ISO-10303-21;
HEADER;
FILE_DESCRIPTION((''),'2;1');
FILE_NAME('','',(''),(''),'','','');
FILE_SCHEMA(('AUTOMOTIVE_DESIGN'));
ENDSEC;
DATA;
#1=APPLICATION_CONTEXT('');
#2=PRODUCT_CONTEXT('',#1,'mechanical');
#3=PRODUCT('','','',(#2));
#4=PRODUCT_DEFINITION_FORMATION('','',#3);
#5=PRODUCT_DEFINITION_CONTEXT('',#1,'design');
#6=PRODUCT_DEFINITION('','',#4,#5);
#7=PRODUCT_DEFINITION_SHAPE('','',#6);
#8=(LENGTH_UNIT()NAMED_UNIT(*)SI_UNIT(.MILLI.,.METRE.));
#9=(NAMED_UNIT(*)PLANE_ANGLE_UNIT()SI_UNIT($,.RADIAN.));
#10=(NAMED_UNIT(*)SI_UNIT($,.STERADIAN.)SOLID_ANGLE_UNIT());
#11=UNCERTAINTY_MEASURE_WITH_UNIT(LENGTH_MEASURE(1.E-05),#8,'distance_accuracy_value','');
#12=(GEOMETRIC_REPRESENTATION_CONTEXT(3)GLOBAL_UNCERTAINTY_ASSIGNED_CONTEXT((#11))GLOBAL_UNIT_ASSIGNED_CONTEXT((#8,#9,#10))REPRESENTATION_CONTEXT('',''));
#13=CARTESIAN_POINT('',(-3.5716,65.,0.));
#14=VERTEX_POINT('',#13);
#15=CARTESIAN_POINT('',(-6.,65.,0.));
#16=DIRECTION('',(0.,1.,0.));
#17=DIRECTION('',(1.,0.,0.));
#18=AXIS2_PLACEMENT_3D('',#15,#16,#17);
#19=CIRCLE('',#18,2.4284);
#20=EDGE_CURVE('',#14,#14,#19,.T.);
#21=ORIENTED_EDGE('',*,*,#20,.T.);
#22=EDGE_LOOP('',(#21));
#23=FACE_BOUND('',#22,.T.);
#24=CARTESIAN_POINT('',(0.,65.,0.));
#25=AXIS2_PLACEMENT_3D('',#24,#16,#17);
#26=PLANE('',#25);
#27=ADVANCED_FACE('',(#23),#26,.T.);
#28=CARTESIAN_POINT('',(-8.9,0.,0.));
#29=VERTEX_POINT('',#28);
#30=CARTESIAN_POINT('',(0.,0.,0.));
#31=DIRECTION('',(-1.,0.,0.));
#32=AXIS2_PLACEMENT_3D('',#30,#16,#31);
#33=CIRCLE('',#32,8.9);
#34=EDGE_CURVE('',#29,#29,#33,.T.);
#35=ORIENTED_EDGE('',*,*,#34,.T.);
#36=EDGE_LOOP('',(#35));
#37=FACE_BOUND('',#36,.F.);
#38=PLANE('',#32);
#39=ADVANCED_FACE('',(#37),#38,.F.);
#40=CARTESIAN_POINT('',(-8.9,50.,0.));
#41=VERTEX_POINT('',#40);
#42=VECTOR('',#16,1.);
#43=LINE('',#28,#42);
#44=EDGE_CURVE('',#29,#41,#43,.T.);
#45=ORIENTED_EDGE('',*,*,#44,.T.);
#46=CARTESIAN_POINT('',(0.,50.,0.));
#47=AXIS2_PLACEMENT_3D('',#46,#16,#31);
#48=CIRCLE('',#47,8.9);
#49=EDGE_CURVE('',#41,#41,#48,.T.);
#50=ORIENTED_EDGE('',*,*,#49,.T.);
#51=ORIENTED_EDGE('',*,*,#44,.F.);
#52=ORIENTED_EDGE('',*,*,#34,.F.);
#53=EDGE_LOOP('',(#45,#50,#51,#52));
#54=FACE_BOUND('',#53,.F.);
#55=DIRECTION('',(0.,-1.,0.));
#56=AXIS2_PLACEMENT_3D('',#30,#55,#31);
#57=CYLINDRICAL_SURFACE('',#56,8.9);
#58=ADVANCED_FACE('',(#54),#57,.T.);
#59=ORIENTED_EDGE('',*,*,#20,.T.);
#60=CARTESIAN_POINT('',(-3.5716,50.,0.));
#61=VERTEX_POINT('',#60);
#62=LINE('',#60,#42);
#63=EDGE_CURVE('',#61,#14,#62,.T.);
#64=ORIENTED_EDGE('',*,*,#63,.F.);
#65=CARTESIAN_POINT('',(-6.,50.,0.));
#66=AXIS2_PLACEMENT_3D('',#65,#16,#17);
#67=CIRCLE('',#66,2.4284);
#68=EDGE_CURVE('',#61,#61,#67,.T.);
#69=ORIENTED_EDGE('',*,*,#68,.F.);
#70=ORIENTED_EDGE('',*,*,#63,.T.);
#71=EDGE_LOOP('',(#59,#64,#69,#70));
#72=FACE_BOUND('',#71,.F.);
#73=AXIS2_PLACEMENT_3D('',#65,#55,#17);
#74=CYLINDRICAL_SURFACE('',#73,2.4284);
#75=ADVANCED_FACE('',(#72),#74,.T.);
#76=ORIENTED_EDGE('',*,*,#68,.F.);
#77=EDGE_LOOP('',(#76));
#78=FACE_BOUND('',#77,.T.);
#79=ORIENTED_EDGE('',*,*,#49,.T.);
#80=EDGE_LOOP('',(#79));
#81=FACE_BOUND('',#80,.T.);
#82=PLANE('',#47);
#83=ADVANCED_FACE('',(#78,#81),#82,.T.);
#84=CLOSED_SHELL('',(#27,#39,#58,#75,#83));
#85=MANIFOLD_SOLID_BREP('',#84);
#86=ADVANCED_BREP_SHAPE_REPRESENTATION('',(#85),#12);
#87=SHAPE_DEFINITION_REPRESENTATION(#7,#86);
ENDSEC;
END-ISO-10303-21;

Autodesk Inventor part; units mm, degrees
ref_plane "YZ Plane" through (0, 0, 0) normal (1, 0, 0) x (0, 1, 0)
ref_plane "XZ Plane" through (0, 0, 0) normal (0, 1, 0) x (-1, 0, 0)
ref_plane "XY Plane" through (0, 0, 0) normal (0, 0, 1) x (1, 0, 0)
sketch "Sketch1" plane through (0, 0, 0) normal (0, 1, 0) x (-1, 0, 0)
  circle A0 centre (0, 0) radius 8.9
  dimension "d0" = 17.8
extrude "Extrusion1" add sketch "Sketch1" along normal blind 50
sketch "Sketch2" plane through (0, 50, 0) normal (0, 1, 0) x (1, 0, 0)
  circle A0 centre (0, 0) radius 8.9 projected
  circle A1 centre (-6, 0) radius 2.4284
  dimension "d3" = 6
extrude "Extrusion2" add sketch "Sketch2" along normal blind 15 contours A1
properties part number "INFRARROJO" material "Steel, Mild, Welded"
